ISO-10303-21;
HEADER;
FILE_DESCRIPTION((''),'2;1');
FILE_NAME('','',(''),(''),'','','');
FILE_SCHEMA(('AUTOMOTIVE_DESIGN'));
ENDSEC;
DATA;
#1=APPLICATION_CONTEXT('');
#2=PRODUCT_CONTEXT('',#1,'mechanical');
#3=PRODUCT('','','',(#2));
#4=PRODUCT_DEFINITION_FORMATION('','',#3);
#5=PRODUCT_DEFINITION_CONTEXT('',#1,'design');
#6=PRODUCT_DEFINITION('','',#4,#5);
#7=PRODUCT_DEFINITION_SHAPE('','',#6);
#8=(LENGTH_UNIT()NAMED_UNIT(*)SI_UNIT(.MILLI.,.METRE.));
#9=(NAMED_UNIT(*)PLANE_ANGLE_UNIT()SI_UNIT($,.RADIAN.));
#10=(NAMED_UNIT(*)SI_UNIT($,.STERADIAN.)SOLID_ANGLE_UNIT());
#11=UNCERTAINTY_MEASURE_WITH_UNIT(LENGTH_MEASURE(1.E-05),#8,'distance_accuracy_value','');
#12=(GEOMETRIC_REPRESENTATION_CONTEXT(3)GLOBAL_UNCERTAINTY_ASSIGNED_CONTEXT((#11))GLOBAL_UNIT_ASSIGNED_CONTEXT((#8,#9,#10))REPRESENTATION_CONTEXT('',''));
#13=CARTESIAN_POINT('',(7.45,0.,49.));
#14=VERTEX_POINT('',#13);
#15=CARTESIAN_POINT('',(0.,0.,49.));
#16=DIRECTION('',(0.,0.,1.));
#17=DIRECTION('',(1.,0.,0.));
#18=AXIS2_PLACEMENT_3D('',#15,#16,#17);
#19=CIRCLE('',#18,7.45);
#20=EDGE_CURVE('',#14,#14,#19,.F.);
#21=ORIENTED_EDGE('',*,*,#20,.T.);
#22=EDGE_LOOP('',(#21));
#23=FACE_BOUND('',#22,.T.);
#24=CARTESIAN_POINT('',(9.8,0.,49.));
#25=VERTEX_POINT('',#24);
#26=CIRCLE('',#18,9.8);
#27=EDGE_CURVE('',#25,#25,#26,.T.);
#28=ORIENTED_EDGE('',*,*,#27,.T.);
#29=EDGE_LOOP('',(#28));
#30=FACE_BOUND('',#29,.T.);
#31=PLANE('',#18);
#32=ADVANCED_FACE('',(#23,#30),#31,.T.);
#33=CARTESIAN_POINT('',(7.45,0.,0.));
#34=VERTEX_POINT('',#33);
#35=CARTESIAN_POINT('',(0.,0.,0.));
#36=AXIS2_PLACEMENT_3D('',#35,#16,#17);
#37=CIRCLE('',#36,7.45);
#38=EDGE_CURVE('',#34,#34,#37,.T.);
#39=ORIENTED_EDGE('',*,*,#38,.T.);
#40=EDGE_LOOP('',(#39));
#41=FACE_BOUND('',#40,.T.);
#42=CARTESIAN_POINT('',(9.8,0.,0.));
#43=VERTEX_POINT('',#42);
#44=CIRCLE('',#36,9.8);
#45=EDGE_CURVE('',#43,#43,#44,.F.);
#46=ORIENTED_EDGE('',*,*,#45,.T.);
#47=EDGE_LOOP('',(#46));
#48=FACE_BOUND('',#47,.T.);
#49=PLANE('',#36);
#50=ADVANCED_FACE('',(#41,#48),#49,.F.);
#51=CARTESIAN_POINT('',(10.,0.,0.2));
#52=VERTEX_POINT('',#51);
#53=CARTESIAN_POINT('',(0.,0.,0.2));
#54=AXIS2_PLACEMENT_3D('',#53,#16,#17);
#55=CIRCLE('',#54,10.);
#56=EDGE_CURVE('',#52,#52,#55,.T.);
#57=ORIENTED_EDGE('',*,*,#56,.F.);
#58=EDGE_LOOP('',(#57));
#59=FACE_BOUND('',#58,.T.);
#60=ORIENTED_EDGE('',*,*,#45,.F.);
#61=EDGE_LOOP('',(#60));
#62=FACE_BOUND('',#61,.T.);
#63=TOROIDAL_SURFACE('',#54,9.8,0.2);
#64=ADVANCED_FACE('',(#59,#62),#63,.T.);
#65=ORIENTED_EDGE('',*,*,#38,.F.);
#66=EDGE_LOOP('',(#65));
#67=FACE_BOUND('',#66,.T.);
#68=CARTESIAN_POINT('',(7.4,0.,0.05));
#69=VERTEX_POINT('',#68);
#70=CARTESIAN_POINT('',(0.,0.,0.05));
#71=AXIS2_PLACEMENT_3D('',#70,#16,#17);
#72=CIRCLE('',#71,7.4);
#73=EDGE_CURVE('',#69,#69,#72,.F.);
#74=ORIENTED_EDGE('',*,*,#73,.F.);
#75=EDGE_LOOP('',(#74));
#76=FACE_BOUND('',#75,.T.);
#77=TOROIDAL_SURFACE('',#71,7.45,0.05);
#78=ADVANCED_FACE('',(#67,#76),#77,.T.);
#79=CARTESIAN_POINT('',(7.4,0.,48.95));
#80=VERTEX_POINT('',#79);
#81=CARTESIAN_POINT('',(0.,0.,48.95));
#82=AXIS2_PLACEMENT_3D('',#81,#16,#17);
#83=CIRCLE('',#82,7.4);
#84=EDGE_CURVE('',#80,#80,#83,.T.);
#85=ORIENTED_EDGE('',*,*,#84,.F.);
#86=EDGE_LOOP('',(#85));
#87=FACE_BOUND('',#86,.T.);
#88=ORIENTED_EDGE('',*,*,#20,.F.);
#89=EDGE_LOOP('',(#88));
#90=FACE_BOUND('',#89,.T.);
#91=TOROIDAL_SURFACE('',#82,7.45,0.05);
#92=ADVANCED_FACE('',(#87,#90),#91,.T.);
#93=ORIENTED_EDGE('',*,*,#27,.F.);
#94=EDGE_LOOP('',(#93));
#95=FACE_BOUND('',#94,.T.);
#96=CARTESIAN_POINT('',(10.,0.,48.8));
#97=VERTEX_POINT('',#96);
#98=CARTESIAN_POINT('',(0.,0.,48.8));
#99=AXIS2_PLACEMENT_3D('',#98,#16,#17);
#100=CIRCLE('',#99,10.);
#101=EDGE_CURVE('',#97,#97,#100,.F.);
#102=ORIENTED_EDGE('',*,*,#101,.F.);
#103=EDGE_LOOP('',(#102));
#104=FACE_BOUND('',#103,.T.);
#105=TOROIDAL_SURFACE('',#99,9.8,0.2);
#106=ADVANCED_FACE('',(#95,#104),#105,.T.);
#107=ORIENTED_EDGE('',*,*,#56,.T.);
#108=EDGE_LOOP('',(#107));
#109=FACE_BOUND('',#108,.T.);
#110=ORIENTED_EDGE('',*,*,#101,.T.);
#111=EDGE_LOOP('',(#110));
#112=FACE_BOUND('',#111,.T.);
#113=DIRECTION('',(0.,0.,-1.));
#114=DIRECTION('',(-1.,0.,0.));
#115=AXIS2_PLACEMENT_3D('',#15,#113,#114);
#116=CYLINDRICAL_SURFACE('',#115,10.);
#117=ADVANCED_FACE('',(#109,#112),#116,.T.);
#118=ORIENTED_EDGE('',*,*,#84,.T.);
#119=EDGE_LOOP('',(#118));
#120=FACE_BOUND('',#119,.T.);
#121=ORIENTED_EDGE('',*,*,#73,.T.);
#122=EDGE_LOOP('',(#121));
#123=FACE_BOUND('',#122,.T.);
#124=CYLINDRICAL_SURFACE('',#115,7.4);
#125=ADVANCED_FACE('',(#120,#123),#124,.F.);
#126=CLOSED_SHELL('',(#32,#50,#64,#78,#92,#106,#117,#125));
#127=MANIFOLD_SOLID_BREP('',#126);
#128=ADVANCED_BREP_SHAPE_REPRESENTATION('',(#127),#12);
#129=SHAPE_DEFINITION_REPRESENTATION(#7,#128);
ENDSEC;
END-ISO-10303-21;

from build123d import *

# Parameters (mm, degrees)
SCHIZZO1_R                   = 10
SCHIZZO1_R_2                 = 7.4
ESTRUSIONE_ESTRUSIONE1_DEPTH = 49
RACCORDO1_R                  = 0.2
RACCORDO2_R                  = 0.05


with BuildPart() as part:
    # Schizzo1 → Estrusione-Estrusione1 (new body)
    with BuildSketch(Plane.XY):
        Circle(SCHIZZO1_R)
        Circle(SCHIZZO1_R_2, mode=Mode.SUBTRACT)
    extrude(amount=ESTRUSIONE_ESTRUSIONE1_DEPTH)

    # Raccordo1
    raccordo1_edges = [part.edges().sort_by_distance(p)[0] for p in [
        (-10, 0, 0),
        (-10, 0, 49),
    ]]
    fillet(raccordo1_edges, radius=RACCORDO1_R)

    # Raccordo2
    raccordo2_edges = [part.edges().sort_by_distance(p)[0] for p in [
        (-7.4, 0, 0),
        (-7.4, 0, 49),
    ]]
    fillet(raccordo2_edges, radius=RACCORDO2_R)


solid = part.part
